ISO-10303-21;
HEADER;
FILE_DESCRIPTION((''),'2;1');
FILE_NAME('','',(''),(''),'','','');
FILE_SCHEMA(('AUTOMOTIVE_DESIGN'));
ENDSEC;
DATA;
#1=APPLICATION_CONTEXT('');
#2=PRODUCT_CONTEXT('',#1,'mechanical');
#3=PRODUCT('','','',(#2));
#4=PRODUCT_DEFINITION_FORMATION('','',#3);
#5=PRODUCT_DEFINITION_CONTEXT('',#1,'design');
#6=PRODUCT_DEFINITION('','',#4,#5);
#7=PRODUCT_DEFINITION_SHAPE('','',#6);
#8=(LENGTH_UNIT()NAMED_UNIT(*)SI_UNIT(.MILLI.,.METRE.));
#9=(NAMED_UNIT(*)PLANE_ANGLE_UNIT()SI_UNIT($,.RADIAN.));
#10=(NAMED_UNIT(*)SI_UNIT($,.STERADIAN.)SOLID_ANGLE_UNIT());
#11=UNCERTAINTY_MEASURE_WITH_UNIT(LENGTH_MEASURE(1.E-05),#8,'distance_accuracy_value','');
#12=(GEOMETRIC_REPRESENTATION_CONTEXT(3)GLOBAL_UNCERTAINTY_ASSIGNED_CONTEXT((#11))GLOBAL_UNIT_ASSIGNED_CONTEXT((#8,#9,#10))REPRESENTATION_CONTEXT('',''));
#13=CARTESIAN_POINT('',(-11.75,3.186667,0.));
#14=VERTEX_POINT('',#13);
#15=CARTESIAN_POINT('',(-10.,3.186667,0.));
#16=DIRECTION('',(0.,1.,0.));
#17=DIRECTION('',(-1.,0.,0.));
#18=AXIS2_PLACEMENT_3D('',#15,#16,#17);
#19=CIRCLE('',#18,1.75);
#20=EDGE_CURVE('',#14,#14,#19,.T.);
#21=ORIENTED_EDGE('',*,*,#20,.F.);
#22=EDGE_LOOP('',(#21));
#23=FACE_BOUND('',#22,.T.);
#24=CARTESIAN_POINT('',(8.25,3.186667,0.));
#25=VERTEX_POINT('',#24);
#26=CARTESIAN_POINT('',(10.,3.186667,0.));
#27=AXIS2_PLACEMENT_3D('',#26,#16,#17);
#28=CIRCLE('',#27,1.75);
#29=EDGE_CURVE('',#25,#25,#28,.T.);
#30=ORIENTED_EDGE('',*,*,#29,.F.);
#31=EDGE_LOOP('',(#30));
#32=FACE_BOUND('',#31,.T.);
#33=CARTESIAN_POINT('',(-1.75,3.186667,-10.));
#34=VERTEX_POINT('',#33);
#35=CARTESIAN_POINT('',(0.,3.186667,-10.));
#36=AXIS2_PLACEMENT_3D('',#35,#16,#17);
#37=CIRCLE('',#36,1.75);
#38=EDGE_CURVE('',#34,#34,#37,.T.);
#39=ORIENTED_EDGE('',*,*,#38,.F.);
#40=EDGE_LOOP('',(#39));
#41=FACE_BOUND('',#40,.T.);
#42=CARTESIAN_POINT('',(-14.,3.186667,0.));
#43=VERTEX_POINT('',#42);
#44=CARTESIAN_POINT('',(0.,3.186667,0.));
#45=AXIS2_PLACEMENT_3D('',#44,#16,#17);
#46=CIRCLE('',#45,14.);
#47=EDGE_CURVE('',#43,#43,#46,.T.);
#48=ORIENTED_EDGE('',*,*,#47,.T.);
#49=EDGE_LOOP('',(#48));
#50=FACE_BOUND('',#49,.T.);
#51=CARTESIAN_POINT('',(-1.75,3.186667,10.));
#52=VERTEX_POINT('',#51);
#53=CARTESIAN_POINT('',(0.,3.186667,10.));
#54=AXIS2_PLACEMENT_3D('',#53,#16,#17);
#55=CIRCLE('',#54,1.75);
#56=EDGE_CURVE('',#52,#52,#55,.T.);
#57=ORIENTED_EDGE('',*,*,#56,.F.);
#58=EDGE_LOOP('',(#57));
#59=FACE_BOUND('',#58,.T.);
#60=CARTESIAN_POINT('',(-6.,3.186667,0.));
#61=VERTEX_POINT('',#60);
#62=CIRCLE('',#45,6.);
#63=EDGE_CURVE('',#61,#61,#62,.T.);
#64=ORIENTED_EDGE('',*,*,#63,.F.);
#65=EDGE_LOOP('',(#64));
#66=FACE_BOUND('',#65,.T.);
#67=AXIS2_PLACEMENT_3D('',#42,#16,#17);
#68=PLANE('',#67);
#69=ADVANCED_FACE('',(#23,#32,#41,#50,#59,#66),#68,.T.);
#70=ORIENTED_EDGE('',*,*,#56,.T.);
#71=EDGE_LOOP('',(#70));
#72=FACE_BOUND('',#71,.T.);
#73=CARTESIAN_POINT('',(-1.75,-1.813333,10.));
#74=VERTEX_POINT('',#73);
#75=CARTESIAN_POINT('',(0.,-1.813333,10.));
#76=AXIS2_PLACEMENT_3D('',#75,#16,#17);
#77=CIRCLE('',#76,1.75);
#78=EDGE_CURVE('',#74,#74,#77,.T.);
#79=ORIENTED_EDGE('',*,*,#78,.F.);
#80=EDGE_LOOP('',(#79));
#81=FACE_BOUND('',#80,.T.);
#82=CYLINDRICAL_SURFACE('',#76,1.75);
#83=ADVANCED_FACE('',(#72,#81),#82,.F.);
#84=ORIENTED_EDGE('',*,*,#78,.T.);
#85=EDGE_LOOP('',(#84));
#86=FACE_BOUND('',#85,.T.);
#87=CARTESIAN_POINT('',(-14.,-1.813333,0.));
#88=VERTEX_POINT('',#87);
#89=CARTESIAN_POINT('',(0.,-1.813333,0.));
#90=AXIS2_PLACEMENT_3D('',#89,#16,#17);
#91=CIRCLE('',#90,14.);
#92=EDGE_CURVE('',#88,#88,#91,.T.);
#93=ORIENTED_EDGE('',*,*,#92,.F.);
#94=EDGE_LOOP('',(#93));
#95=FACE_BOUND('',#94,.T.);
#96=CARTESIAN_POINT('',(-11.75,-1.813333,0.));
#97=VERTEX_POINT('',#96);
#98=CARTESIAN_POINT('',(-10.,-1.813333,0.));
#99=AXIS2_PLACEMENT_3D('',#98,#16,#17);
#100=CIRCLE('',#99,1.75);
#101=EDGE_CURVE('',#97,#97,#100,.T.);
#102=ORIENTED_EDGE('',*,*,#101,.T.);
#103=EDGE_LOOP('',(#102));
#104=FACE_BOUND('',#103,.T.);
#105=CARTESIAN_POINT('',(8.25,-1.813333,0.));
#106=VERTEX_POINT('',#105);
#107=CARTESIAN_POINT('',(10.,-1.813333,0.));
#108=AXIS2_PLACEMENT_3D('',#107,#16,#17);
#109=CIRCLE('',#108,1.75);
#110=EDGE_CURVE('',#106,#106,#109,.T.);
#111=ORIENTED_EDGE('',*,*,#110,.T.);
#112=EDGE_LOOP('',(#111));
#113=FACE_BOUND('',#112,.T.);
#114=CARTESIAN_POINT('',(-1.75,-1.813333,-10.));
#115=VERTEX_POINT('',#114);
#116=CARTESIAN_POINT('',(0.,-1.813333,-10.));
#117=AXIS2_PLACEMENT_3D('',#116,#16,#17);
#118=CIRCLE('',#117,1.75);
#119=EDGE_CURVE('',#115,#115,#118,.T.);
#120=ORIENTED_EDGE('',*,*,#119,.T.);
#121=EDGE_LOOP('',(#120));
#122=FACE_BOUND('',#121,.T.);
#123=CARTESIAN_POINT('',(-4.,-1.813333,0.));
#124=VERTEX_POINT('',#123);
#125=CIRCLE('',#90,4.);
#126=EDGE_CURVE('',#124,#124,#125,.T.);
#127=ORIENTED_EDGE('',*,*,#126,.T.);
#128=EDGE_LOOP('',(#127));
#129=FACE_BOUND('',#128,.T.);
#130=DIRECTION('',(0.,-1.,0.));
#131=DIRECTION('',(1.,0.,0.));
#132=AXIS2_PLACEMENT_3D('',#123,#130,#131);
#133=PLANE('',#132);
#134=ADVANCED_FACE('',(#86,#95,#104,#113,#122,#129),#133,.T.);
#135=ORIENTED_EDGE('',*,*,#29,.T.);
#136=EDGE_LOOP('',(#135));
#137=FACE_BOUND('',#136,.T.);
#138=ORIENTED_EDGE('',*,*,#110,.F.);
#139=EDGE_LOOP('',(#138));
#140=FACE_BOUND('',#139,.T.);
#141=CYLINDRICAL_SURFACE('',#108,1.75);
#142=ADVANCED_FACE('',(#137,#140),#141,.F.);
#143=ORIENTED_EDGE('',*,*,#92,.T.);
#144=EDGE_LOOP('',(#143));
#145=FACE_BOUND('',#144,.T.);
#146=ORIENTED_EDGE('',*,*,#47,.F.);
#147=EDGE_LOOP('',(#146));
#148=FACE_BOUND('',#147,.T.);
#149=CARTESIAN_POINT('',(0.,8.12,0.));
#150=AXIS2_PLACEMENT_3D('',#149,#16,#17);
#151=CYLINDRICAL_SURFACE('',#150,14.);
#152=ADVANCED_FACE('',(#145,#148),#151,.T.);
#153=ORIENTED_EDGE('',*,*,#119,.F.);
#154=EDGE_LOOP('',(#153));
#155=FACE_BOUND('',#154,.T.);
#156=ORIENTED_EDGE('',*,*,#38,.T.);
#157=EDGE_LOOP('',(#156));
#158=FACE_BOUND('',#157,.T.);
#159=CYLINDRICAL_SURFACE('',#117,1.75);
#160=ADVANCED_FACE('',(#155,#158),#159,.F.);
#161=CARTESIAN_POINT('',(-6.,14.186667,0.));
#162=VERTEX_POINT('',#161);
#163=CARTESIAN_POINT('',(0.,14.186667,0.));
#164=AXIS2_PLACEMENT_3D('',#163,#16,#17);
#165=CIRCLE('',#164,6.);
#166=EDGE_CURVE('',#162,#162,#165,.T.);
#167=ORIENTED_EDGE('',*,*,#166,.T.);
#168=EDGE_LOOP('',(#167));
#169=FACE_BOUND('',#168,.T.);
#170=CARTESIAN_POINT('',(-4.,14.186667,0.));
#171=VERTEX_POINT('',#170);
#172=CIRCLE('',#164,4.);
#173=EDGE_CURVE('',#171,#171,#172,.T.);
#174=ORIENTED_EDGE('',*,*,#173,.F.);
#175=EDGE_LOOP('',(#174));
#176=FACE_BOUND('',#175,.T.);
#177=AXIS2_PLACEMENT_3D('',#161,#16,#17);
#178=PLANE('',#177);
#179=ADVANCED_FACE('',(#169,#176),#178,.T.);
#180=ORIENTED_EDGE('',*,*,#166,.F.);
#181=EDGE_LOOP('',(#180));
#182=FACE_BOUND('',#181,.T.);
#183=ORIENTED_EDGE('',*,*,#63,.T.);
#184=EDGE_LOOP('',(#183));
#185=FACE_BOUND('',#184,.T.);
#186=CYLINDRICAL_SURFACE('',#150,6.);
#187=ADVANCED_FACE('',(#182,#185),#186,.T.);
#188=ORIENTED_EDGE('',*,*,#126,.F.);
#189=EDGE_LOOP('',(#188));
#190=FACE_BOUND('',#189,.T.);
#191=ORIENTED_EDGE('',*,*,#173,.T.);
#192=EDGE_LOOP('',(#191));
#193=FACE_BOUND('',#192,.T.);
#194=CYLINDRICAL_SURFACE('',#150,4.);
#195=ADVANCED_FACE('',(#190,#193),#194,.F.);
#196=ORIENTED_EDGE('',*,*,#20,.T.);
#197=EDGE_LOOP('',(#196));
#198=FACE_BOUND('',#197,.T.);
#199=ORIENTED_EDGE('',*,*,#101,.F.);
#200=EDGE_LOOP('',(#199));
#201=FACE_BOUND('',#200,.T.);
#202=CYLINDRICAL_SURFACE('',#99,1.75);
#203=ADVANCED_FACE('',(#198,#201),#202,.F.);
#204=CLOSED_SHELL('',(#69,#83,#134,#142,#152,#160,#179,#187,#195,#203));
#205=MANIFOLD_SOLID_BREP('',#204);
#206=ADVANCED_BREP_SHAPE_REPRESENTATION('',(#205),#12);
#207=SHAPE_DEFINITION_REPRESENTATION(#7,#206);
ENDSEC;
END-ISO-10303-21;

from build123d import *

# Parameters (mm, degrees)
SKETCH_2_R          = 1.75
CUT_EXTRUDE_1_DEPTH = 23.649503306


with BuildPart() as part:
    # 草图1 → 旋转1 (revolve)
    with BuildSketch(Plane.XY):
        Polygon((-4, -1.813333333), (-14, -1.813333333), (-14, 3.186666667), (-6, 3.186666667), (-6, 14.186666667), (-4, 14.186666667), align=None)
    revolve(axis=Axis((0, 8.12, 0), (0, -1, 0)))

    # 草图2 → 切除-拉伸1 (cut, through all)
    with BuildSketch(Plane(origin=(0, 3.186666667, 0), x_dir=(1, 0, 0), z_dir=(0, 1, 0))):
        with Locations(Location((0, 10, 0), (0, 0, 180))):
            Circle(SKETCH_2_R)
        with Locations(Location((10, 0, 0), (0, 0, 180))):
            Circle(SKETCH_2_R)
        with Locations(Location((0, -10, 0), (0, 0, 180))):
            Circle(SKETCH_2_R)
        with Locations(Location((-10, 0, 0), (0, 0, 180))):
            Circle(SKETCH_2_R)
    extrude(amount=-CUT_EXTRUDE_1_DEPTH, mode=Mode.SUBTRACT)


solid = part.part
